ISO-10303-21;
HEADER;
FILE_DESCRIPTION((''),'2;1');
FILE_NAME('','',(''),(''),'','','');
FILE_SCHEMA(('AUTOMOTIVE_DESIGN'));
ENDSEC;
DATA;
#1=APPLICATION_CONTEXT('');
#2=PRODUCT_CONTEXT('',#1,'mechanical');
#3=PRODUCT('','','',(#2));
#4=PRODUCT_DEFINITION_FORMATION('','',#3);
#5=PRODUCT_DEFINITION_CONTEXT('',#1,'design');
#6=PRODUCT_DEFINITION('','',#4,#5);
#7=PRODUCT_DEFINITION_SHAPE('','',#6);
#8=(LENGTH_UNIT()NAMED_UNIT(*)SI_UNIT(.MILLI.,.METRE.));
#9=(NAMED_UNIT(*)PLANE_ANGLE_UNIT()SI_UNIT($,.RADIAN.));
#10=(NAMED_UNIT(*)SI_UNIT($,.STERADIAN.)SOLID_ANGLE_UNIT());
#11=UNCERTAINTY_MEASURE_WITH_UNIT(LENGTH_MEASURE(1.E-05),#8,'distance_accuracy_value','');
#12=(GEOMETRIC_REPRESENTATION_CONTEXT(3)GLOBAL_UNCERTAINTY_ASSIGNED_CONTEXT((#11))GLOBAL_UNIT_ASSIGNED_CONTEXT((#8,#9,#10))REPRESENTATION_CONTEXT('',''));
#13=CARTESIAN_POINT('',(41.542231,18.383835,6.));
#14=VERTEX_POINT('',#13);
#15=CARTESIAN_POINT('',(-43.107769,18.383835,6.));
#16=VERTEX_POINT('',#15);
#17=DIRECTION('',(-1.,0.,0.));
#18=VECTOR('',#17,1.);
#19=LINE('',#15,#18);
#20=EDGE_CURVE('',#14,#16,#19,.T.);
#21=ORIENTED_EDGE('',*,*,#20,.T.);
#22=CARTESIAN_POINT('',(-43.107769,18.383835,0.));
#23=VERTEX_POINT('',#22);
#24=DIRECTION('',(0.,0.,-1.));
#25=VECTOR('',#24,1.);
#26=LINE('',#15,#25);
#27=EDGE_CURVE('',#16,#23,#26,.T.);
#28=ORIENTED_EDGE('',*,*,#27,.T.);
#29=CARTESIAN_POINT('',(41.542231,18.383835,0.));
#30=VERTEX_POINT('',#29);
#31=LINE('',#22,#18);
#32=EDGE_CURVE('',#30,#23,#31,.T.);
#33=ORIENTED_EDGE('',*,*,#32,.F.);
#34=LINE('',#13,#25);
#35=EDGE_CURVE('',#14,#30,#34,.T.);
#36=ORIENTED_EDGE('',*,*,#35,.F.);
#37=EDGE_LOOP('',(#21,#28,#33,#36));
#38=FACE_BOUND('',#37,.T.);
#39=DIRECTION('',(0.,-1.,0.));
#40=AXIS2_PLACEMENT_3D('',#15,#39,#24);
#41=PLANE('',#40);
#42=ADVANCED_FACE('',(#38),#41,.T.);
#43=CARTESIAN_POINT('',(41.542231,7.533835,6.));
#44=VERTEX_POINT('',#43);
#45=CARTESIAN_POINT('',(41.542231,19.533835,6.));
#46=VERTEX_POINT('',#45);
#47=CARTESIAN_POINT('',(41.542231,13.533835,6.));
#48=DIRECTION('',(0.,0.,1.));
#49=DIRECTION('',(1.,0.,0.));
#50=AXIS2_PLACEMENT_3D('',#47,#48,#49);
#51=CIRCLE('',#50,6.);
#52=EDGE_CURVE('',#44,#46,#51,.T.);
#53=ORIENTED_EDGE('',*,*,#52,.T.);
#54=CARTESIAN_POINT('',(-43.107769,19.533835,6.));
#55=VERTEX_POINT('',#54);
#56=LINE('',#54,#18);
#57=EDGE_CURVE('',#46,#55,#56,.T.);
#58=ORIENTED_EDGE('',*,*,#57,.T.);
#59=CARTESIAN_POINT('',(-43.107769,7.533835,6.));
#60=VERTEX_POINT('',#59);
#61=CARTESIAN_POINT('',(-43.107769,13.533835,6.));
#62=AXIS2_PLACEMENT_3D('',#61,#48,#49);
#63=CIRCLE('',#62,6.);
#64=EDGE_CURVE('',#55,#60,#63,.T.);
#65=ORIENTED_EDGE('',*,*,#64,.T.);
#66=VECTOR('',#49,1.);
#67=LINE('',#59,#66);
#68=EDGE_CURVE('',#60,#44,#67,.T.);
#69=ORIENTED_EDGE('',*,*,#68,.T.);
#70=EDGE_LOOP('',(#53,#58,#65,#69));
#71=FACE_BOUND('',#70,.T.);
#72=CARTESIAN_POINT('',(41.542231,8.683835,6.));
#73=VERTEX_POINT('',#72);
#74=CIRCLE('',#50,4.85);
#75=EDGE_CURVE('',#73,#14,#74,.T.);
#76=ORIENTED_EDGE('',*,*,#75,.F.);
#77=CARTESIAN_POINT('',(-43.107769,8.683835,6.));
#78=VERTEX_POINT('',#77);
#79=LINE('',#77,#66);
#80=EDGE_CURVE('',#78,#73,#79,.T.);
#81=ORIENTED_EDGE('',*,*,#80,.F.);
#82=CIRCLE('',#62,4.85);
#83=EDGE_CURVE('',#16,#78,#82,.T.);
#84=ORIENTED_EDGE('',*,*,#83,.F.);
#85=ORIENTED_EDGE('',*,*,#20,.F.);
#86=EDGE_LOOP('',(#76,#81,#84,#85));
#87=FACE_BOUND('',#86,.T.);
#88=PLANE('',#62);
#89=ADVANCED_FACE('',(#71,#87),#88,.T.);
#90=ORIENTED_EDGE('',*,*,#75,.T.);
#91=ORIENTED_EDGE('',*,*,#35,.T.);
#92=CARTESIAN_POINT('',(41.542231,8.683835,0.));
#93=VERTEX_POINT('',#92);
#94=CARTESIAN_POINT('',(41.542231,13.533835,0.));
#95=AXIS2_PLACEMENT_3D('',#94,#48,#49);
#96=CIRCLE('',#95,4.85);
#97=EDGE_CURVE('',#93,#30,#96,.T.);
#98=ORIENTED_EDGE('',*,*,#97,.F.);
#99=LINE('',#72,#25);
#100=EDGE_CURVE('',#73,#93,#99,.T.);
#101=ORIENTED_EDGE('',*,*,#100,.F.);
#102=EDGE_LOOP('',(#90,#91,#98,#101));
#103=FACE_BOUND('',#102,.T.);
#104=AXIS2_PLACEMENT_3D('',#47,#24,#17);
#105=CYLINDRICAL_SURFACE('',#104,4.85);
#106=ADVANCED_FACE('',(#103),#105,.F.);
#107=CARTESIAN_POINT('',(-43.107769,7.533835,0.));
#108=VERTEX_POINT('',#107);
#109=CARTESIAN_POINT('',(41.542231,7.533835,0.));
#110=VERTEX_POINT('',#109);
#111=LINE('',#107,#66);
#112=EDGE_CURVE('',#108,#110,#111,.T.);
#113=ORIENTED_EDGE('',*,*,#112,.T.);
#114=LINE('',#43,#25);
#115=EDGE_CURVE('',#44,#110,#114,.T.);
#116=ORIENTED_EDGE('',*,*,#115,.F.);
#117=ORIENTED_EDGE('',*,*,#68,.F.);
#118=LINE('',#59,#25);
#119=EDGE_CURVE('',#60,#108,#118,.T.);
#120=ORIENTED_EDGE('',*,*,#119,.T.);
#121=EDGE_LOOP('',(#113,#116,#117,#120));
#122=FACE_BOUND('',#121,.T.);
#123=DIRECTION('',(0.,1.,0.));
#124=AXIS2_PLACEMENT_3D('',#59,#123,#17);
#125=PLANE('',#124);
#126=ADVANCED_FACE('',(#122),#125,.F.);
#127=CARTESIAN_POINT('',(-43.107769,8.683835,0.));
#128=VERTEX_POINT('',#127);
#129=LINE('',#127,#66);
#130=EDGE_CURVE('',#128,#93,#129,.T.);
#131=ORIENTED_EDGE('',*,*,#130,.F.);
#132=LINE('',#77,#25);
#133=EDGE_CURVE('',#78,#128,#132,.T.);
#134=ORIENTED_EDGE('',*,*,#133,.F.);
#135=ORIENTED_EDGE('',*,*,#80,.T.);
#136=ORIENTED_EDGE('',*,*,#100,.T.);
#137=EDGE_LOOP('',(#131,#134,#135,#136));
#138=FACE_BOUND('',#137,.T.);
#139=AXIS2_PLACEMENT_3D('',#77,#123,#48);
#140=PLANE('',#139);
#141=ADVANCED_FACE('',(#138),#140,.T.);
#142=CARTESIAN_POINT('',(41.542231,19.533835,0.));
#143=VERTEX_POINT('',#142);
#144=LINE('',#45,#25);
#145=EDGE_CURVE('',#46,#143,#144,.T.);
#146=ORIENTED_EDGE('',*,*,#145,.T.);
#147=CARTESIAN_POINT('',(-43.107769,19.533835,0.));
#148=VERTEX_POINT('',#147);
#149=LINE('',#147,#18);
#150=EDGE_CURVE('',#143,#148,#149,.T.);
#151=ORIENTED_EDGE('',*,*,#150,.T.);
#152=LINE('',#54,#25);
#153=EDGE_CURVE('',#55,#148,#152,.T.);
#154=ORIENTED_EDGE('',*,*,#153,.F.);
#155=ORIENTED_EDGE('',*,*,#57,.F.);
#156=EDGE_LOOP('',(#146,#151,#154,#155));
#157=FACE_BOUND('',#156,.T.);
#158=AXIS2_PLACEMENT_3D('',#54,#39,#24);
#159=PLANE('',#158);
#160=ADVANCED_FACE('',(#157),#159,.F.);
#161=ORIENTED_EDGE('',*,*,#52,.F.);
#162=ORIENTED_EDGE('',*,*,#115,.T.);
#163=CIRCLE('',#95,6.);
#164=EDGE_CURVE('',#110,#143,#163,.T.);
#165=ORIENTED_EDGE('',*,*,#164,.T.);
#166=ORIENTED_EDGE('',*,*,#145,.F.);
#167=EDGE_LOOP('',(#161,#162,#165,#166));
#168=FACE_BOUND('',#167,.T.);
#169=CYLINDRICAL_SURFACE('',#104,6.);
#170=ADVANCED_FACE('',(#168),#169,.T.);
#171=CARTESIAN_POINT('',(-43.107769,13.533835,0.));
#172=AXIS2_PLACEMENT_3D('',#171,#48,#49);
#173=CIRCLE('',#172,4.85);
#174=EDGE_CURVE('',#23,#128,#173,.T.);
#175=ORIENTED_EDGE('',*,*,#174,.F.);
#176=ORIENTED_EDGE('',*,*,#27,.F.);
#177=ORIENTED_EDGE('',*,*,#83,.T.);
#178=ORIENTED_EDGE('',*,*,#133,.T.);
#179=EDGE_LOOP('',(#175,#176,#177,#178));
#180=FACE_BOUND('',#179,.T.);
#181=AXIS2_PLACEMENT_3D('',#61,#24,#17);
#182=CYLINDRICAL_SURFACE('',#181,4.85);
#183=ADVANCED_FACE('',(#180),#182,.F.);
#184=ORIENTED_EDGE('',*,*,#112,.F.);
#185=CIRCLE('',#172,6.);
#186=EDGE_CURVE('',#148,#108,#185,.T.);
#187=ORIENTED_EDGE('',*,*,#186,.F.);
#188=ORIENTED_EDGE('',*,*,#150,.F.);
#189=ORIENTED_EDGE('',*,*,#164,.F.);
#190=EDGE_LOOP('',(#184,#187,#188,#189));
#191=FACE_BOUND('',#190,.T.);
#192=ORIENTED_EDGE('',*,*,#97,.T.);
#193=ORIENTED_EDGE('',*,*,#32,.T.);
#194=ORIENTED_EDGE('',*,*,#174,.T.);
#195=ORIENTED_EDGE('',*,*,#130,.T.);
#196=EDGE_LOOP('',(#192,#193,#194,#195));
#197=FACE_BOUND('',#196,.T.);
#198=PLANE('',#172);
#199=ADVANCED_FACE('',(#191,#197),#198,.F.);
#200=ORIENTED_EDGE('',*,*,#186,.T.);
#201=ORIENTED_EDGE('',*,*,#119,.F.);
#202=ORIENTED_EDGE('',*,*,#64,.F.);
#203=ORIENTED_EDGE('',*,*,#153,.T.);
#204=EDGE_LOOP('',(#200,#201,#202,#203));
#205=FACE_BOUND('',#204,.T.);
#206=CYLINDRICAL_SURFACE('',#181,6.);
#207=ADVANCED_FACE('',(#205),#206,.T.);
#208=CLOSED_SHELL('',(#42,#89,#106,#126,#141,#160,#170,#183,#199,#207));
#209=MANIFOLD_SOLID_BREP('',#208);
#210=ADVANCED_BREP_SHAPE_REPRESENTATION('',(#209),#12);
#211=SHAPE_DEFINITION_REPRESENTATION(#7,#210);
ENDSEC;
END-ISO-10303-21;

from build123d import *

# Parameters (mm, degrees)
BOSS_EXTRUDE1_DEPTH = 6


with BuildPart() as part:
    # Sketch1 → Boss-Extrude1 (new body)
    with BuildSketch(Plane.XY):
        with BuildLine():
            Line((-43.107769424, 19.533834586), (41.542230576, 19.533834586))
            ThreePointArc((41.542230576, 19.533834586), (47.542230576, 13.533834586), (41.542230576, 7.533834586))
            Line((41.542230576, 7.533834586), (-43.107769424, 7.533834586))
            ThreePointArc((-43.107769424, 7.533834586), (-49.107769424, 13.533834586), (-43.107769424, 19.533834586))
        make_face()
        with BuildLine():
            Line((-43.107769424, 18.383834586), (41.542230576, 18.383834586))
            ThreePointArc((41.542230576, 18.383834586), (46.392230576, 13.533834586), (41.542230576, 8.683834586))
            Line((41.542230576, 8.683834586), (-43.107769424, 8.683834586))
            ThreePointArc((-43.107769424, 8.683834586), (-47.957769424, 13.533834586), (-43.107769424, 18.383834586))
        make_face(mode=Mode.SUBTRACT)
    extrude(amount=BOSS_EXTRUDE1_DEPTH)


solid = part.part
